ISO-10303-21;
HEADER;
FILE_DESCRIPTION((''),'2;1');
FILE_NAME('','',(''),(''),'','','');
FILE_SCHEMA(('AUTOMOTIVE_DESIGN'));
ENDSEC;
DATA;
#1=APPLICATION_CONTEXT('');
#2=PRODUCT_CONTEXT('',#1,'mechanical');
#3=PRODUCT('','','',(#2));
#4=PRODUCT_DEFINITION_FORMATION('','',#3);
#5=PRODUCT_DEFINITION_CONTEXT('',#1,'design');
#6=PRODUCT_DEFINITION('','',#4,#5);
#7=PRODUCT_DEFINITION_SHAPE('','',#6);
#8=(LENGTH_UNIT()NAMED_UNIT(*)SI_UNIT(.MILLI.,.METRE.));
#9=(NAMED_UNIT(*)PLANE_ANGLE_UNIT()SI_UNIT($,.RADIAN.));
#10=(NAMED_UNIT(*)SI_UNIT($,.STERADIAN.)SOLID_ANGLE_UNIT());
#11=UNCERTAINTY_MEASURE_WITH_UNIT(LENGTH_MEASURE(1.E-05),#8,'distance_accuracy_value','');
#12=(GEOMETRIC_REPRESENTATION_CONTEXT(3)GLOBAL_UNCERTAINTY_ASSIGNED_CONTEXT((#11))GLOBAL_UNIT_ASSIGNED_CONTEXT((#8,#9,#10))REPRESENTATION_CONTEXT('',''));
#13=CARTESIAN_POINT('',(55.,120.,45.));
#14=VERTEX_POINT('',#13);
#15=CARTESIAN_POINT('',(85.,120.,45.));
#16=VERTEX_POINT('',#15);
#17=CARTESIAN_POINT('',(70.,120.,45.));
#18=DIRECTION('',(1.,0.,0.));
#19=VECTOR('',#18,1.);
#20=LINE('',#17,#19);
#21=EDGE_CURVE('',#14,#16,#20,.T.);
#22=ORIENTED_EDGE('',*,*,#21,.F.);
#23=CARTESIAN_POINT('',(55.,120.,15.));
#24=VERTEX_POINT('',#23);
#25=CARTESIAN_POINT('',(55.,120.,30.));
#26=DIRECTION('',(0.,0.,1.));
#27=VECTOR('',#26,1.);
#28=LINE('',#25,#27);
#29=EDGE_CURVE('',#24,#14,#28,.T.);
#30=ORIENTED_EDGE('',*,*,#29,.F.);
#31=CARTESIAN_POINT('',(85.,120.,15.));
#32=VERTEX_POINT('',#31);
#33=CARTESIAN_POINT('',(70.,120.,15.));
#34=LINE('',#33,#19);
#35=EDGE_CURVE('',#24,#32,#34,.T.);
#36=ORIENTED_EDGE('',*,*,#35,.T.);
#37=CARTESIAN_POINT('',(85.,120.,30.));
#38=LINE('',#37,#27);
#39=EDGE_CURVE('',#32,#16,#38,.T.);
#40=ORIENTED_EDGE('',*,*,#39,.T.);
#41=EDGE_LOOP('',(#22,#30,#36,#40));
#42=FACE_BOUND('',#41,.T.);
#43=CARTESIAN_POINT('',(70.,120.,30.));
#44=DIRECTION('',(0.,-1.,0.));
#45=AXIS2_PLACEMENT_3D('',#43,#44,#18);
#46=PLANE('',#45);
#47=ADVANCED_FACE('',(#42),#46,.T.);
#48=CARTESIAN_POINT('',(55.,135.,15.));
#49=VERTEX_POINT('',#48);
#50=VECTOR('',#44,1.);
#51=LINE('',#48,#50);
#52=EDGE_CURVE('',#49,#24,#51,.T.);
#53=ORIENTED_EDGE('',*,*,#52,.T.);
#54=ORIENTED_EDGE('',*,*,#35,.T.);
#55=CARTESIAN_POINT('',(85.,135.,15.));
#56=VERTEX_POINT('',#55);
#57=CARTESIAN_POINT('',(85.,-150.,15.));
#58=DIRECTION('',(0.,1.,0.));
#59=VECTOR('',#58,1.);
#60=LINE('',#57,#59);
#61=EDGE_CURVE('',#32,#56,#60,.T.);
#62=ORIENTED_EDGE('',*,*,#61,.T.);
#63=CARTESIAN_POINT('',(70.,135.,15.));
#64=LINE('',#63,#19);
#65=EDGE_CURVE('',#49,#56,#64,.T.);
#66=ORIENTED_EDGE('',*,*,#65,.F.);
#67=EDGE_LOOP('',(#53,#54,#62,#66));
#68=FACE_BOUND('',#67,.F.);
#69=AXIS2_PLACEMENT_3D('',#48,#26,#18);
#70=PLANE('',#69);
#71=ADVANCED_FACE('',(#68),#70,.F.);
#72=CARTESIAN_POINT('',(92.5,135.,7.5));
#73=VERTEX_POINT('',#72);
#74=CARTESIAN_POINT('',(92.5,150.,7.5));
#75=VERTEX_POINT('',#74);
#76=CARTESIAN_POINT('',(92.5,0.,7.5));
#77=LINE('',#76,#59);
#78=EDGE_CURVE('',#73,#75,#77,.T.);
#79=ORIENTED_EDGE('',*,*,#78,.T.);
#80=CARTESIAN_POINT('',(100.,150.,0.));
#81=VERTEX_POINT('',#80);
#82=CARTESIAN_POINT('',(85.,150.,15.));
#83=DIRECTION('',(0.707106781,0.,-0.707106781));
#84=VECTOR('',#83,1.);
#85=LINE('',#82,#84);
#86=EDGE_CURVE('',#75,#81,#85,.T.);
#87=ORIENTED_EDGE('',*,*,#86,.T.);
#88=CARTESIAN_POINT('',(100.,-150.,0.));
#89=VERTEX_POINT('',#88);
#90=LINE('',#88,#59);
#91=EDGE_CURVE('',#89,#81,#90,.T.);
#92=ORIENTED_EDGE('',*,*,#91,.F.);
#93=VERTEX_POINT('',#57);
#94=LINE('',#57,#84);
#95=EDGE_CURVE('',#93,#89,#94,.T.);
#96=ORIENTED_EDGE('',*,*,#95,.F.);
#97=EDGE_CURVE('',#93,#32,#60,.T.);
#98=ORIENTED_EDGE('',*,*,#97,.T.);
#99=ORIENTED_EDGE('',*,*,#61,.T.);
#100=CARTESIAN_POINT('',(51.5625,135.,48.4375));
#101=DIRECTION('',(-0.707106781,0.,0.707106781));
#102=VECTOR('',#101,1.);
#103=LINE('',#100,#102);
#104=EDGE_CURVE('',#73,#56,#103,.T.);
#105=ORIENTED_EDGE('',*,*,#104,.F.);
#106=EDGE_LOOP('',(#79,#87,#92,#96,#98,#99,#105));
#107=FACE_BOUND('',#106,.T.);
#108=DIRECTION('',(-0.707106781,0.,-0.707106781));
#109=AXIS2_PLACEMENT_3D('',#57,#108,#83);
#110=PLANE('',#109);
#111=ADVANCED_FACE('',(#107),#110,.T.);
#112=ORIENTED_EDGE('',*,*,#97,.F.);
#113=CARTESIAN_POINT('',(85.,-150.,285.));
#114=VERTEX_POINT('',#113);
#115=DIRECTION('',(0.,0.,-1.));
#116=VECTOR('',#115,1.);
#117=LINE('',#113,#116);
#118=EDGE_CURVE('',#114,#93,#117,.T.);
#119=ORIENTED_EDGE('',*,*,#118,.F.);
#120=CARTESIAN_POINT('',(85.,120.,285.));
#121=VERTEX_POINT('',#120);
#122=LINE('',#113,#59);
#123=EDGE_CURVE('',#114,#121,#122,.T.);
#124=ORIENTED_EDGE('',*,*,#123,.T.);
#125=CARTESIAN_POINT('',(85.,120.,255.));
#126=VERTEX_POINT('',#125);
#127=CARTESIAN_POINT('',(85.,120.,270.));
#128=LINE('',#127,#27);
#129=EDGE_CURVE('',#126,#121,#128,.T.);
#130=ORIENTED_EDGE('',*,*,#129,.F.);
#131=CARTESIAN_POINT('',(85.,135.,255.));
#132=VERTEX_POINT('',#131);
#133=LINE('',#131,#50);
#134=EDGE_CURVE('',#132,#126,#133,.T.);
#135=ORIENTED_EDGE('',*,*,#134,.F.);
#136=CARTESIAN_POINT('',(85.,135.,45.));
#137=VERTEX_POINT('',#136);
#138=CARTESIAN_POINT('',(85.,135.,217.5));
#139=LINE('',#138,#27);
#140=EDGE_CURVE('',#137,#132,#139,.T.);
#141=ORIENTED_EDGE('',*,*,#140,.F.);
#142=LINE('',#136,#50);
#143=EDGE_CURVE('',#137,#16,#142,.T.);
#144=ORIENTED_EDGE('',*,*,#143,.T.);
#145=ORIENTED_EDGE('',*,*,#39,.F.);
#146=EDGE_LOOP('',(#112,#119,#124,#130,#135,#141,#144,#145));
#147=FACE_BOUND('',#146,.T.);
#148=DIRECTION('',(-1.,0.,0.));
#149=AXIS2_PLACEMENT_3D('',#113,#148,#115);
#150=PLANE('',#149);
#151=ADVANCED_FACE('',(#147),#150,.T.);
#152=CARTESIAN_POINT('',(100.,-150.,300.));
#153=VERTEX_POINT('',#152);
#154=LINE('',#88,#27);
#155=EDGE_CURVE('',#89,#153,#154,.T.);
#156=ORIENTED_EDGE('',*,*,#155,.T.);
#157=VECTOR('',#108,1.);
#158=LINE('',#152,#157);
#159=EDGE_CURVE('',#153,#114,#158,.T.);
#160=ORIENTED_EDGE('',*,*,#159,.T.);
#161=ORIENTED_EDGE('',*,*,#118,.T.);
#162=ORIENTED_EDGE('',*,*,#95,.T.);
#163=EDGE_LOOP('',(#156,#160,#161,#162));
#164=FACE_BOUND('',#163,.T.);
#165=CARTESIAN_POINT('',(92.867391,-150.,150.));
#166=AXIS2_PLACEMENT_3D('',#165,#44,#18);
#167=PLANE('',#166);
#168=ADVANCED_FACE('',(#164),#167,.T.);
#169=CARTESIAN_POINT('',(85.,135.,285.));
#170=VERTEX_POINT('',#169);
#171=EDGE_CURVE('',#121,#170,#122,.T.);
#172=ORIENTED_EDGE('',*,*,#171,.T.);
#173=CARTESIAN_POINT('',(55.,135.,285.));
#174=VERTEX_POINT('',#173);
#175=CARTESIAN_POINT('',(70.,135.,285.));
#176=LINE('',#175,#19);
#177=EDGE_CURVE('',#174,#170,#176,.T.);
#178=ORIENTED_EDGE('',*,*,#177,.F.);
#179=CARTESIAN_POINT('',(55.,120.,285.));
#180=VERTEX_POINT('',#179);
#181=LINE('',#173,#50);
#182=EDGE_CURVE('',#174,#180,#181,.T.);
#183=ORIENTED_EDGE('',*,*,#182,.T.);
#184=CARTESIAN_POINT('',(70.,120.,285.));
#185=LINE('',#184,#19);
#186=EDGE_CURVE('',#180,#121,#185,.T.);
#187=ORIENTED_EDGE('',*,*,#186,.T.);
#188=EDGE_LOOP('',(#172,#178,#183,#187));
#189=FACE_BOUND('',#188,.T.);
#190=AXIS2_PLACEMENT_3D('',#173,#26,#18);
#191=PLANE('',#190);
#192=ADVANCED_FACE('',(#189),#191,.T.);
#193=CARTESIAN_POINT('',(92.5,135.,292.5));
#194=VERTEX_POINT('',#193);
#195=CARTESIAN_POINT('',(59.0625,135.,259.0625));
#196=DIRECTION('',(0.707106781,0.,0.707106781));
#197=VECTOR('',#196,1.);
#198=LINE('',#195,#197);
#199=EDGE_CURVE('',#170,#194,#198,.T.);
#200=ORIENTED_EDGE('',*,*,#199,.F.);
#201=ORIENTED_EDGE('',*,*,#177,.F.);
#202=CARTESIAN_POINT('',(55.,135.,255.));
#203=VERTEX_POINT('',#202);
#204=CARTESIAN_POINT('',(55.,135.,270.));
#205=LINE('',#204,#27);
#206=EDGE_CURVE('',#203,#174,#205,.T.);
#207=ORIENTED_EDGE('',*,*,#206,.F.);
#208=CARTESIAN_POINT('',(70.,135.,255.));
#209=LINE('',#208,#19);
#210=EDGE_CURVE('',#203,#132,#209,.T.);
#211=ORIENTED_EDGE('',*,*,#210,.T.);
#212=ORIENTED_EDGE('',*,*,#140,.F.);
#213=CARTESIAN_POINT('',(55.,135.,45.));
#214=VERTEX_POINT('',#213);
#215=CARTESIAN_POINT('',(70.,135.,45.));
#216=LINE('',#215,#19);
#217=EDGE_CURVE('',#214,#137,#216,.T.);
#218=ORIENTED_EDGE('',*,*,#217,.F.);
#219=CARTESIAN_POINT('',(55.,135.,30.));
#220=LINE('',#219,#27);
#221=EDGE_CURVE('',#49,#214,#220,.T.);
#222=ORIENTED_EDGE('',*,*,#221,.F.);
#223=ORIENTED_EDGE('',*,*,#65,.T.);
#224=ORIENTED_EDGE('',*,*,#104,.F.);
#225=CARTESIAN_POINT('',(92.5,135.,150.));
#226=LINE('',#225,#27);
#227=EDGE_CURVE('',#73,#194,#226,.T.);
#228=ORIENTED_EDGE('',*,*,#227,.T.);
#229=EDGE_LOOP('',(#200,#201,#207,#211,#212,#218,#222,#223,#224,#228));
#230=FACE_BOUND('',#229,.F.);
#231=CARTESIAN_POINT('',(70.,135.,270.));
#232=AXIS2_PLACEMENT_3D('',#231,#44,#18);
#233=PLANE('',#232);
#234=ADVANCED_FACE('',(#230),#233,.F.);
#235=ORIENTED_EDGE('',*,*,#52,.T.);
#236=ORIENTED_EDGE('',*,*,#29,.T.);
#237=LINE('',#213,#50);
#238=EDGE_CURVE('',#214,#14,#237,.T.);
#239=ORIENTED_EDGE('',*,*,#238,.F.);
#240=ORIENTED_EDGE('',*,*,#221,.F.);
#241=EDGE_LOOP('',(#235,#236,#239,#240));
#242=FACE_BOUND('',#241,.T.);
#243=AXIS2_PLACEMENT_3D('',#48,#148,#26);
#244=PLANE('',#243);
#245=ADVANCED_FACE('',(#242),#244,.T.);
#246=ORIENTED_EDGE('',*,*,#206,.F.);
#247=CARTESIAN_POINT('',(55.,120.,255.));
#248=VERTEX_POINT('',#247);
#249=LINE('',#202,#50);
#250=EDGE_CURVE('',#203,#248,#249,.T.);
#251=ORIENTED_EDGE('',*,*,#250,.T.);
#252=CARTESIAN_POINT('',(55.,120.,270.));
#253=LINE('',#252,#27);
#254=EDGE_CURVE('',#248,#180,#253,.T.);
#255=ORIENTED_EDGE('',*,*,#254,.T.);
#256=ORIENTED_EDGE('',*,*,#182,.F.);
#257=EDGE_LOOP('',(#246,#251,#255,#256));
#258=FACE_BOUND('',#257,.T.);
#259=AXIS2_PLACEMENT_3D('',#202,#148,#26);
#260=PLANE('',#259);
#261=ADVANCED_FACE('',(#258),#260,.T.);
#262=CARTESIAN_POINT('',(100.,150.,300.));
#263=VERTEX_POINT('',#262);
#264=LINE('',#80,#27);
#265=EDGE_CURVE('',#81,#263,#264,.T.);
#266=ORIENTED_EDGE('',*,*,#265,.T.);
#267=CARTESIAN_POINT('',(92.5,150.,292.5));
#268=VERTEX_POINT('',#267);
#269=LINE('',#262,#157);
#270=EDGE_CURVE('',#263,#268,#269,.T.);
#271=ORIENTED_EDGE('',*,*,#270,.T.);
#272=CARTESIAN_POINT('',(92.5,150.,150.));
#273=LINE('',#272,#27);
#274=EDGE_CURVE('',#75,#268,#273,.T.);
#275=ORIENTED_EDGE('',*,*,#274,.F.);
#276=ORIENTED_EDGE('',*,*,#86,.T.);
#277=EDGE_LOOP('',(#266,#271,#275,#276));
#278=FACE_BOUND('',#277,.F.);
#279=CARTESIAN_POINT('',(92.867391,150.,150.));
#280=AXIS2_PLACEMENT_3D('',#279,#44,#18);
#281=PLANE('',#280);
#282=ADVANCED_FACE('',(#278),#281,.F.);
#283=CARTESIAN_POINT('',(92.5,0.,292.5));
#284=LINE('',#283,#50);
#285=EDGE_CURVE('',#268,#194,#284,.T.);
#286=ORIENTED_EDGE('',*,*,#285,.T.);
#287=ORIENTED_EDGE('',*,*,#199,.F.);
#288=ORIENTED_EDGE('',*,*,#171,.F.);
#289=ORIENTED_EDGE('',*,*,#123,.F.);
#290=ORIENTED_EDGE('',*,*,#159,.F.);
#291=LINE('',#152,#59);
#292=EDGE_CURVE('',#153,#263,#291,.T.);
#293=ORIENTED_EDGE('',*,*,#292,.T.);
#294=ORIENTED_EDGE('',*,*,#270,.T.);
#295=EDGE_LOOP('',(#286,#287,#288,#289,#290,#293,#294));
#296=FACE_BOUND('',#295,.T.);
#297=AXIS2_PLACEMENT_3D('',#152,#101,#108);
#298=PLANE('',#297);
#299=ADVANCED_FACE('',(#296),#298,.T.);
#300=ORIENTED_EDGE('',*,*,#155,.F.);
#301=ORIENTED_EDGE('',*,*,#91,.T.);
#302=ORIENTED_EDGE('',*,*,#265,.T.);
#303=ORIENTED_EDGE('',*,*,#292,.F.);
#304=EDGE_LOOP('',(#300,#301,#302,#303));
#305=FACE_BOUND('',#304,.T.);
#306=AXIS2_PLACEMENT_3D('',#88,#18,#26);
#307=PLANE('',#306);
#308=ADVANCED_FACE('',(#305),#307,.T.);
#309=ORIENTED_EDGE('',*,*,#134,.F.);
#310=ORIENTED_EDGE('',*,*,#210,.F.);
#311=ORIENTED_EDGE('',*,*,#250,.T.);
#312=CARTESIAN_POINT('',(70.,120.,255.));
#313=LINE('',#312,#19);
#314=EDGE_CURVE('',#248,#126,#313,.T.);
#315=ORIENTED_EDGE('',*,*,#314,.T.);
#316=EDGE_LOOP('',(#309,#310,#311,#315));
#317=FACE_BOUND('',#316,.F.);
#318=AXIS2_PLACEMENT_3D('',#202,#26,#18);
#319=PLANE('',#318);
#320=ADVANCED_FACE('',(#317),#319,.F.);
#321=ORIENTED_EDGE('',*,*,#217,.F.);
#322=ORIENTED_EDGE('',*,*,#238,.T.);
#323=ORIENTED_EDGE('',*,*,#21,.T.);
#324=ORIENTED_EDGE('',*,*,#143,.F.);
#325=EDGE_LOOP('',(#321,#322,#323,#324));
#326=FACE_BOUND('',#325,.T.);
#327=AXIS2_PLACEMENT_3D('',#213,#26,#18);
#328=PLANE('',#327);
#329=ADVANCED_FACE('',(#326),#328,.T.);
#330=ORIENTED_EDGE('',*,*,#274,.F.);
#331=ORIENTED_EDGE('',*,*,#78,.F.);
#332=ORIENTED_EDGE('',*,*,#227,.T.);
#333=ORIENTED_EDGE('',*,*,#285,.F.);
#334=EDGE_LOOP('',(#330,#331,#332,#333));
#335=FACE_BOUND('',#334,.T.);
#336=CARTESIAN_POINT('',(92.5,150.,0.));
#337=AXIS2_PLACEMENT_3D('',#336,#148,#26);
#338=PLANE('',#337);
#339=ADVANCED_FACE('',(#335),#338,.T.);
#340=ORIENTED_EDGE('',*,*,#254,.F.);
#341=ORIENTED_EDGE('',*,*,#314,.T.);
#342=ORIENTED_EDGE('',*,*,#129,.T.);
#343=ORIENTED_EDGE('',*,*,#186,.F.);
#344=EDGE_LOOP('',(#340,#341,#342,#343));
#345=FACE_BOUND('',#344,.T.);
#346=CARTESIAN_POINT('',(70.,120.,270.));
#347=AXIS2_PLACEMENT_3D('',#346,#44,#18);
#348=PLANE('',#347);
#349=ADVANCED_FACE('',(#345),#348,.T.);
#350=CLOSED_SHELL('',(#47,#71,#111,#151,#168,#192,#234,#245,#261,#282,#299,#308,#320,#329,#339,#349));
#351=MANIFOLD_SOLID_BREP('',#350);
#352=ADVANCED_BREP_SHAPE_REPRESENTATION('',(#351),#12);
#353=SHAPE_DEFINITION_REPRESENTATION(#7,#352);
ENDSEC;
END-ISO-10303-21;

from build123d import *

# Parameters (mm, degrees)
F5_DEPTH  = 300
F6_W      = 12.5
F6_H      = 300
F7_DEPTH  = 15
F9_W      = 30
F9_H      = 30
F10_DEPTH = 15


with BuildPart() as f5:
    # F4 (on offset) → F5 (new body, through all)
    with BuildSketch(Plane.XZ.offset(150)):
        Polygon((85, 15), (100, 0), (100, 300), (85, 285), align=None)
    extrude(amount=-F5_DEPTH)

    # F6 (on offset) → F7 (cut)
    with BuildSketch(Plane.XZ.offset(-150)):
        with Locations((86.25, 150)):
            Rectangle(F6_W, F6_H)
    extrude(amount=F7_DEPTH, mode=Mode.SUBTRACT)

    # F9 (on offset) → F10 (join)
    with BuildSketch(Plane.XZ.offset(-135)):
        with Locations((70, 270)):
            Rectangle(F9_W, F9_H)
        with Locations((70, 30)):
            Rectangle(F9_W, F9_H)
    extrude(amount=F10_DEPTH)


solid = f5.part
